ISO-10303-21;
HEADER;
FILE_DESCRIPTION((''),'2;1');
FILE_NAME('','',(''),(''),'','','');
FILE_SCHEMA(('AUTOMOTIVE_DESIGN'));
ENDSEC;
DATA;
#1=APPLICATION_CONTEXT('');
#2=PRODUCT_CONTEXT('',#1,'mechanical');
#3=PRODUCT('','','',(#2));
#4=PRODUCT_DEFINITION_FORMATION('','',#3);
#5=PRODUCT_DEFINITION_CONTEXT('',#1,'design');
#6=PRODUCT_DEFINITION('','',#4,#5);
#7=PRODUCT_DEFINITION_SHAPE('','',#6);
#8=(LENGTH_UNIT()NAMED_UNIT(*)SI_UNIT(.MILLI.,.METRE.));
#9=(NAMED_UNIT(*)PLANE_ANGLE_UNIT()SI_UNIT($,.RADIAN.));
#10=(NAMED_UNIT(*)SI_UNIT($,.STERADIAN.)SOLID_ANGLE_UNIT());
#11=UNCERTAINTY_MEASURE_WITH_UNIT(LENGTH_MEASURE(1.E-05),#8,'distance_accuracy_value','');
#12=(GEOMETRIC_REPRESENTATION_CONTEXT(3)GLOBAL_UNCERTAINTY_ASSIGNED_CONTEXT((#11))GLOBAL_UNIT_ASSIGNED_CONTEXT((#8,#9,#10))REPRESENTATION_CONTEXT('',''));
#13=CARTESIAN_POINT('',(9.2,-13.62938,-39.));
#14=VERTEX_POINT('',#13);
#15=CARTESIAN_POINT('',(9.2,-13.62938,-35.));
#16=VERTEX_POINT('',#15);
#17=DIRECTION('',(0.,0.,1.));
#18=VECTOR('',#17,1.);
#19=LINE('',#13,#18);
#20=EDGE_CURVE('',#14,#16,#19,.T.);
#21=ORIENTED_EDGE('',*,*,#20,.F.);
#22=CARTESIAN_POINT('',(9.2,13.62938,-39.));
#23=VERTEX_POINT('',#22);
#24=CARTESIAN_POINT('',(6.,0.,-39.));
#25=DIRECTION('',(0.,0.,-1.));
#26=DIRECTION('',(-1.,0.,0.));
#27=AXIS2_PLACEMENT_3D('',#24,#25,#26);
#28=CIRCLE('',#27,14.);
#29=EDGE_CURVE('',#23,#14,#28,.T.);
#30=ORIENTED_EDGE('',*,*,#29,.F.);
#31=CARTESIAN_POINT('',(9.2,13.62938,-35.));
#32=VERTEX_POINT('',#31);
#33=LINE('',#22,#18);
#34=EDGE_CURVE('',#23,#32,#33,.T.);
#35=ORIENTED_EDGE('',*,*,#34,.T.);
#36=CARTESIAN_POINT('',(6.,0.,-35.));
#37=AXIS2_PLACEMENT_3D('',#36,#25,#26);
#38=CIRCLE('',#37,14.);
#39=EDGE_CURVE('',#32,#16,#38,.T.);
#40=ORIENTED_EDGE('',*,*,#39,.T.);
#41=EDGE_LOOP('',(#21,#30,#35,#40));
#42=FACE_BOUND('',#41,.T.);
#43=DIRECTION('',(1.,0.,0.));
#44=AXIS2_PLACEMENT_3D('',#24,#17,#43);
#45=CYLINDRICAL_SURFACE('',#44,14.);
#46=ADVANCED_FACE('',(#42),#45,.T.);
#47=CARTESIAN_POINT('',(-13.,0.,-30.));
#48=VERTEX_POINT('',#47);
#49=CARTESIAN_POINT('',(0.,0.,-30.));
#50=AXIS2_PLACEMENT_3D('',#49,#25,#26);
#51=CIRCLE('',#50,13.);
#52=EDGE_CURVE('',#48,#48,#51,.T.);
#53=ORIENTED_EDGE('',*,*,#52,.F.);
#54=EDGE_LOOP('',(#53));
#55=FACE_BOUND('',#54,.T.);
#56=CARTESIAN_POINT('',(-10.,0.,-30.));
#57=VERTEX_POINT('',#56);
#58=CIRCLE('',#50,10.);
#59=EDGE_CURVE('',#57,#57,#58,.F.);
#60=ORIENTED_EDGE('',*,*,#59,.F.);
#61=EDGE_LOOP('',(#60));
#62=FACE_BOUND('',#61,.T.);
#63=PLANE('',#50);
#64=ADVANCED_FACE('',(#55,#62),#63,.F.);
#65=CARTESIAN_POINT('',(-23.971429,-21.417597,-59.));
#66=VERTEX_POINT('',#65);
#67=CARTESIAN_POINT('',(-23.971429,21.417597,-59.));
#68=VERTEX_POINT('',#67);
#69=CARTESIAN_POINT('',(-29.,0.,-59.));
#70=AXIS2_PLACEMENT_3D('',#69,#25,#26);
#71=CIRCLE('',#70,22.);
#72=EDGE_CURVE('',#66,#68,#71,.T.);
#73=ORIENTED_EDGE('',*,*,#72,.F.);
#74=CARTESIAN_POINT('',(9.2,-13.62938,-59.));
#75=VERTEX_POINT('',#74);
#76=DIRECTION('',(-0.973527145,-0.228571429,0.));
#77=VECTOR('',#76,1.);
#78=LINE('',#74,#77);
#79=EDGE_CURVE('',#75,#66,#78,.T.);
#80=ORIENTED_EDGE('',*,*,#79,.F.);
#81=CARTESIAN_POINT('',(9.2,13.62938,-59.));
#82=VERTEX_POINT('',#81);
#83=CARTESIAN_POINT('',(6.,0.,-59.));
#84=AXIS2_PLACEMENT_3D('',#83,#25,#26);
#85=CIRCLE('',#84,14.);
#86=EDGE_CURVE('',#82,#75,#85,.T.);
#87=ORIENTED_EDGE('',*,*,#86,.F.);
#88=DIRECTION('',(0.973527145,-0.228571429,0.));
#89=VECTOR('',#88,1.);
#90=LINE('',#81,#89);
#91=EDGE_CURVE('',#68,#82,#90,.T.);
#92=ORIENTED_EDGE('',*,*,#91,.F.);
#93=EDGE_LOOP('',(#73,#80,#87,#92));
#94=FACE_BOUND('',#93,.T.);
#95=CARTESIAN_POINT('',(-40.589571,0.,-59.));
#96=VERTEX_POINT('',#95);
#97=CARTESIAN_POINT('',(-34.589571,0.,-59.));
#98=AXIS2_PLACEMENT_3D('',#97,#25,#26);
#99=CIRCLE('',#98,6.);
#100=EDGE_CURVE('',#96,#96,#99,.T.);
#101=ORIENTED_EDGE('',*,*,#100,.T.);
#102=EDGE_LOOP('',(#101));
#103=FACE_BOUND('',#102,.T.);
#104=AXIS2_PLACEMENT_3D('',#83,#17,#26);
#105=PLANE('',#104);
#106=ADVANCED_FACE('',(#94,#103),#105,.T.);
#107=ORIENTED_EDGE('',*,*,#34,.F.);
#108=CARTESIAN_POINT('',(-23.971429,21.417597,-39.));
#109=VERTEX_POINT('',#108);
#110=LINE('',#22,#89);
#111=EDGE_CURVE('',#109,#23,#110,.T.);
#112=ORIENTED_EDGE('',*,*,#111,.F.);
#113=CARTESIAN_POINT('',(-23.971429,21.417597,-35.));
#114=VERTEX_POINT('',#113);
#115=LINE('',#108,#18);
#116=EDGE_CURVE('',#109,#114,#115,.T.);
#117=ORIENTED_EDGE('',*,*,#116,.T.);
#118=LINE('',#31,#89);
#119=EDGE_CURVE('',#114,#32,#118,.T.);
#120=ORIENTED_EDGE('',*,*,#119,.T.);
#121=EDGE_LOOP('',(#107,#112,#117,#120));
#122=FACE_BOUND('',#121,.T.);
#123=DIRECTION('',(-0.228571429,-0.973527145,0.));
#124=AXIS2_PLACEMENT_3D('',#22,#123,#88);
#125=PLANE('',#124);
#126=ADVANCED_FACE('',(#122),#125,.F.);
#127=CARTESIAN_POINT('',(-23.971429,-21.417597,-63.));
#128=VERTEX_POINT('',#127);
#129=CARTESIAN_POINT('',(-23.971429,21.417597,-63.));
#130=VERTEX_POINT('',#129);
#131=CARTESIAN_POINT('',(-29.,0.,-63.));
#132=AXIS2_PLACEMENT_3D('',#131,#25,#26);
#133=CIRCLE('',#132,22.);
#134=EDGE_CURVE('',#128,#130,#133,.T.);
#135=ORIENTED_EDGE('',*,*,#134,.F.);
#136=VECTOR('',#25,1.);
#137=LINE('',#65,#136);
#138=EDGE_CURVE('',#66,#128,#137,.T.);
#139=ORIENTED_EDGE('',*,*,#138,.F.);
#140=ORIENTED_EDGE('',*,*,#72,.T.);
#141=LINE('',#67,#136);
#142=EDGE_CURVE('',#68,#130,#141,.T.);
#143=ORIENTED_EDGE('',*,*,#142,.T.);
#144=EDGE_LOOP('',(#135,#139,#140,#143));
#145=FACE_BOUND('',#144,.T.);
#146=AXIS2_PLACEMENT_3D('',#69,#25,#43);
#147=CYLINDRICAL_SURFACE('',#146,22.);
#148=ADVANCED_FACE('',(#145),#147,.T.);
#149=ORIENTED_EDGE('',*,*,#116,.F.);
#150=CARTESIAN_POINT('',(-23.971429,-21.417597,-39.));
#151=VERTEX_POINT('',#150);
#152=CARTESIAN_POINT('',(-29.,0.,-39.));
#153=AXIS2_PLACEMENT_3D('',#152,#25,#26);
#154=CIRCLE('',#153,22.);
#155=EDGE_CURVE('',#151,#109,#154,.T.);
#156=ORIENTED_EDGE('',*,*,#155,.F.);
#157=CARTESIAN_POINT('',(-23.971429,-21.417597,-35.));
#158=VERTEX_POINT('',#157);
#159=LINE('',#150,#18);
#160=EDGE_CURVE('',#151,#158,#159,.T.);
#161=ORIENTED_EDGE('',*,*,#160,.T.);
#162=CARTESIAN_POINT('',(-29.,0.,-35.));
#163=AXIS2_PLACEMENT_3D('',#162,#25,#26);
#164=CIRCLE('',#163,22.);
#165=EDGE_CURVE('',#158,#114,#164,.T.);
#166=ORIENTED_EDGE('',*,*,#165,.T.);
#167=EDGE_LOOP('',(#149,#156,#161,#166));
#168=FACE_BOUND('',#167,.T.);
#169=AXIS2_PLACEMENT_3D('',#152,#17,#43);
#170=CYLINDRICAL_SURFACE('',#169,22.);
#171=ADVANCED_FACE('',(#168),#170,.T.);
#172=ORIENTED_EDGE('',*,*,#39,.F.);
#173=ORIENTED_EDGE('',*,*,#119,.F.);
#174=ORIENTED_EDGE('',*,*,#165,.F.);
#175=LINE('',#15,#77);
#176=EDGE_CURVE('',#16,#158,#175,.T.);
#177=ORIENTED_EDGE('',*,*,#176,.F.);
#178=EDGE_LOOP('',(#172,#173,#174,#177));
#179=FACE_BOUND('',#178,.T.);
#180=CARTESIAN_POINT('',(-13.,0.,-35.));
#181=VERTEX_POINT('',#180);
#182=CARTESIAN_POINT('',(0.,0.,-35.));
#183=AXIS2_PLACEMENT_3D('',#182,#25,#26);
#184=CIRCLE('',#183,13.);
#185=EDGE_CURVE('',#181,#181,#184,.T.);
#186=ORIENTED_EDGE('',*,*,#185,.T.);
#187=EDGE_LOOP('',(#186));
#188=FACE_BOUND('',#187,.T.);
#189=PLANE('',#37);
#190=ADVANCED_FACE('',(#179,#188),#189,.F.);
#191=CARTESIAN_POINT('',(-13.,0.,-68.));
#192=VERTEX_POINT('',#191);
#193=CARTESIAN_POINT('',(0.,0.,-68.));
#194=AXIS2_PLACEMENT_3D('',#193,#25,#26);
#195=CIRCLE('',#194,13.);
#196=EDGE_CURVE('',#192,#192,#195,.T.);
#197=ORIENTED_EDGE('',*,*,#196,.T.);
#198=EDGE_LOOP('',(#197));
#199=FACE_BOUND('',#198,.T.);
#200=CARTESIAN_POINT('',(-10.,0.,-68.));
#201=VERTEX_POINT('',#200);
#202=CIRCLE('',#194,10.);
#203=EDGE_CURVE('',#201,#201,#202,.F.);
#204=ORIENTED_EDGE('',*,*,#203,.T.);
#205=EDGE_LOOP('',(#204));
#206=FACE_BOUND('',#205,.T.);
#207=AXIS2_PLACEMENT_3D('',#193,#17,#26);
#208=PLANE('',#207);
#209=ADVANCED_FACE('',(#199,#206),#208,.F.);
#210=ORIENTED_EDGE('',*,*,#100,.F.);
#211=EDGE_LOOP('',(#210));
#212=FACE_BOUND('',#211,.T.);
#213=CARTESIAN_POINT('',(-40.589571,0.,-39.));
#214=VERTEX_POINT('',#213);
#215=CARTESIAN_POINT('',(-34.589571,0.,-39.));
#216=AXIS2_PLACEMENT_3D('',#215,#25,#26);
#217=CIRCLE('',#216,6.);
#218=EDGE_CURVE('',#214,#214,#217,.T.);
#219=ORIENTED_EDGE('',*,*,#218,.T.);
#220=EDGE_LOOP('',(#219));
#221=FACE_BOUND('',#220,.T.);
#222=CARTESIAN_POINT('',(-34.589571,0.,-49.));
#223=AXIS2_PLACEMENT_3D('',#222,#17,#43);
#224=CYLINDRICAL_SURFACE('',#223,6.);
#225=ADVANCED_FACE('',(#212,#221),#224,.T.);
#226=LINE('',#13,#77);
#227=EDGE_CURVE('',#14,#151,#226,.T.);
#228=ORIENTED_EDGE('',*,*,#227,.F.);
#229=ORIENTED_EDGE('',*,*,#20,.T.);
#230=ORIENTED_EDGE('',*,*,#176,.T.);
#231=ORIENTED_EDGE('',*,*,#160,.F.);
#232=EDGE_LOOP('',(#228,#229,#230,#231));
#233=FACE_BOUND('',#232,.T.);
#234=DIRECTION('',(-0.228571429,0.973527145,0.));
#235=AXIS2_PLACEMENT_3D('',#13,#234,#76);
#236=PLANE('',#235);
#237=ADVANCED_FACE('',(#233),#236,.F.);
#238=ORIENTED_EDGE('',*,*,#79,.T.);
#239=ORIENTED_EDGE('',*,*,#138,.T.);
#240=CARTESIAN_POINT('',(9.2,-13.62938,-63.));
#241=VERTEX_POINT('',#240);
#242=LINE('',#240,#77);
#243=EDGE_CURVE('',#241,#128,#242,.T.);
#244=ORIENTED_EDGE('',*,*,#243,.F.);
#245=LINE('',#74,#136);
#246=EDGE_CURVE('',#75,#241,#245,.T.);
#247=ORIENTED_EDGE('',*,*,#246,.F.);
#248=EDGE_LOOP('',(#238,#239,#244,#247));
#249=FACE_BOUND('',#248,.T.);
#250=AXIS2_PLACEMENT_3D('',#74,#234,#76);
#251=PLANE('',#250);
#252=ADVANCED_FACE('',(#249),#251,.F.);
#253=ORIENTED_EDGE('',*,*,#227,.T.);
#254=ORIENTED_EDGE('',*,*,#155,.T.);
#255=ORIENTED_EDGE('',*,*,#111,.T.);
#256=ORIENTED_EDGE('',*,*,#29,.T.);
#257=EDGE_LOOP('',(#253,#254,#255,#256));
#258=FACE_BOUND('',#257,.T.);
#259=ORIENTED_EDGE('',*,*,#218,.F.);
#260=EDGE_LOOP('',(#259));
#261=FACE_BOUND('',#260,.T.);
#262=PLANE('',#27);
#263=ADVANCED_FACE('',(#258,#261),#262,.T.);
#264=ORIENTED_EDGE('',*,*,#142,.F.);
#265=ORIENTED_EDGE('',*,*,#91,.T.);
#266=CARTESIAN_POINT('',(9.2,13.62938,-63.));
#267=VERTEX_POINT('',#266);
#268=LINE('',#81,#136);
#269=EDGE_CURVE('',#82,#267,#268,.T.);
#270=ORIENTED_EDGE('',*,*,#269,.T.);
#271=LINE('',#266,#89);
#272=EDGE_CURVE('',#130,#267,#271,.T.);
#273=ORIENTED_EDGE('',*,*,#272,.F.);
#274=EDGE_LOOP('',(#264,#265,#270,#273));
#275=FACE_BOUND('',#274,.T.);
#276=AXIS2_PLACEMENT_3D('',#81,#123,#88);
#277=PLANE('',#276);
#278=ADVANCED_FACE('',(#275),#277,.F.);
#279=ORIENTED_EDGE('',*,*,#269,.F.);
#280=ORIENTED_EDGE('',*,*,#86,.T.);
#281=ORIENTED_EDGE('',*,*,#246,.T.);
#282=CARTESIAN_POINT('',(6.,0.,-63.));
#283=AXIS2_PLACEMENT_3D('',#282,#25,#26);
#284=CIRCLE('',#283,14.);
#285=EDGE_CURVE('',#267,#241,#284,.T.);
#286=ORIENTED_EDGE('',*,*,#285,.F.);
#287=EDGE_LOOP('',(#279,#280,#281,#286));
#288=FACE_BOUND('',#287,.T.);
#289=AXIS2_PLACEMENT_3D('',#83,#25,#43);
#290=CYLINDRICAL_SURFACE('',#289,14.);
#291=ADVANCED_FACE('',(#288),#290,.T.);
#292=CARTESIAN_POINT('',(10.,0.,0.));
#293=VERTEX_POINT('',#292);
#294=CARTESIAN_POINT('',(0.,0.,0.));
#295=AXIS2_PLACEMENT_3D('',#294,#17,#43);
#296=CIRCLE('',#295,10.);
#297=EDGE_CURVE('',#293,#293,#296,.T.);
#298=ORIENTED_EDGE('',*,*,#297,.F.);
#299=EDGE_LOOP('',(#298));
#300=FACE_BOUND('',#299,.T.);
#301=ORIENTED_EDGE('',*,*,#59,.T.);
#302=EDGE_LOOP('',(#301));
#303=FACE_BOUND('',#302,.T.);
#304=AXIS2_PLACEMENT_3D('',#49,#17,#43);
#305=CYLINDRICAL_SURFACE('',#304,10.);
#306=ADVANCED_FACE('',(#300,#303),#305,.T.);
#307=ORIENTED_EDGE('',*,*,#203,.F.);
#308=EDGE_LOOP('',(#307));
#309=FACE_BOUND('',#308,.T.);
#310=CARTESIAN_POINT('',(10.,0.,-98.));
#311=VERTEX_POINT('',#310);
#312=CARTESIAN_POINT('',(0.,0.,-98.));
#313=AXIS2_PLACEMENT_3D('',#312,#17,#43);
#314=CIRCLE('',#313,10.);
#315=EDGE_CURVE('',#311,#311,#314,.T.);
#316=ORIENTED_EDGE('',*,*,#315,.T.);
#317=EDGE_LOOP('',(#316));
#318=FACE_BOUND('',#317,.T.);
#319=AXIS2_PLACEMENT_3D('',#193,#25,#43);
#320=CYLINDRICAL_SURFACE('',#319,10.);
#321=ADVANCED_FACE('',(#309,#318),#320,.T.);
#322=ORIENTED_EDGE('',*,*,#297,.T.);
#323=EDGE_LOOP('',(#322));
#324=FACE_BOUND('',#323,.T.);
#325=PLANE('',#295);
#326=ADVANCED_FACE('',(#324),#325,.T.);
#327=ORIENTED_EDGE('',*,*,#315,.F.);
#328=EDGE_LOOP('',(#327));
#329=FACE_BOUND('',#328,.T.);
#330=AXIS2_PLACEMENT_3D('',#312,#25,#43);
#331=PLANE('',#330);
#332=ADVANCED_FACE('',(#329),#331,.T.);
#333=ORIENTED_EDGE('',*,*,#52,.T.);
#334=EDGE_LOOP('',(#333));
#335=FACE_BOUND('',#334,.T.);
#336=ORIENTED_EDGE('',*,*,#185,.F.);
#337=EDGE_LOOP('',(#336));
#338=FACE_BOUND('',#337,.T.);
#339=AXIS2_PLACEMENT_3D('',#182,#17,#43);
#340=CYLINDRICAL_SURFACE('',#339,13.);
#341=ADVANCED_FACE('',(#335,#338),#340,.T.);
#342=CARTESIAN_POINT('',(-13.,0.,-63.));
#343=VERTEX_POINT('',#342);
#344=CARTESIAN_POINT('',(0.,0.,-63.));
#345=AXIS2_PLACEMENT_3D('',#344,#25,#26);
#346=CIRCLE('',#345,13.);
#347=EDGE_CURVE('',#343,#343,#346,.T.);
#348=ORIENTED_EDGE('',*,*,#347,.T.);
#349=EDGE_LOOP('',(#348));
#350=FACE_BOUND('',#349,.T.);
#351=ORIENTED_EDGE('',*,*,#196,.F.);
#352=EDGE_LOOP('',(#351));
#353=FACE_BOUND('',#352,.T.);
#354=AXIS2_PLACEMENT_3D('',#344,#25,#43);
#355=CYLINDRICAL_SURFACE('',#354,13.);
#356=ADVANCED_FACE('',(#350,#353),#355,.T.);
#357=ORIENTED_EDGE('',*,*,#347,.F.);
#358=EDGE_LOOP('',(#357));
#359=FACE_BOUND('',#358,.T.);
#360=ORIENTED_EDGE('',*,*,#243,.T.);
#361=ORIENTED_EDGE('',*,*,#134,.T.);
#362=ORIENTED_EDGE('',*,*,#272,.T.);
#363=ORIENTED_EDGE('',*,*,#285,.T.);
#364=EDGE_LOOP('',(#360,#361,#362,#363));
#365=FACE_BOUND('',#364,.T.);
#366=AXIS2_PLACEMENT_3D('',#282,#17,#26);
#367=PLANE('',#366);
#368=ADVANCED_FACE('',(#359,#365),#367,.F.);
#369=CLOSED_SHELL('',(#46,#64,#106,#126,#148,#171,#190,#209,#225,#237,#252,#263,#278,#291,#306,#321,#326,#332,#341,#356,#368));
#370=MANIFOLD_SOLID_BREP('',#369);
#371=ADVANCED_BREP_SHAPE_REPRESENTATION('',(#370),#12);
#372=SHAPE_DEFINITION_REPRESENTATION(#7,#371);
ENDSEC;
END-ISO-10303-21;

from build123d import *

# Parameters (mm, degrees)
SKETCH_1_R      = 10
EXTRUDE_1_DEPTH = 30
SKETCH_2_R      = 13
EXTRUDE_2_DEPTH = 5
EXTRUDE_3_DEPTH = 4
SKETCH_5_R      = 6
EXTRUDE_4_DEPTH = 10


with BuildPart() as part:
    # 草图1 → 拉伸1 (new body)
    with BuildSketch(Plane.XY):
        Circle(SKETCH_1_R)
    extrude_1 = extrude(amount=-EXTRUDE_1_DEPTH)

    # 草图2 → 拉伸2 (add)
    with BuildSketch(Plane(origin=(0, 0, -30), x_dir=(-1, 0, 0), z_dir=(0, 0, -1))):
        Circle(SKETCH_2_R)
    extrude_2 = extrude(amount=EXTRUDE_2_DEPTH)

    # 草图3 → 拉伸3 (add)
    with BuildSketch(Plane(origin=(0, 0, -35), x_dir=(-1, 0, 0), z_dir=(0, 0, -1))):
        with BuildLine():
            Line((-9.2, 13.62938003), (23.971428571, 21.41759719))
            ThreePointArc((23.971428571, 21.41759719), (51, 0), (23.971428571, -21.41759719))
            Line((23.971428571, -21.41759719), (-9.2, -13.62938003))
            ThreePointArc((-9.2, -13.62938003), (-20, 0), (-9.2, 13.62938003))
        make_face()
    extrude_3 = extrude(amount=EXTRUDE_3_DEPTH)

    # 草图5 → 拉伸4 (add)
    with BuildSketch(Plane(origin=(0, 0, -39), x_dir=(-1, 0, 0), z_dir=(0, 0, -1))):
        with Locations((34.589570742, 0)):
            Circle(SKETCH_5_R)
    extrude_4 = extrude(amount=EXTRUDE_4_DEPTH)

    # 镜向2: 拉伸1, 拉伸2, 拉伸3, 拉伸4 across plane
    add(extrude_1.mirror(Plane(origin=(-34.589570742, 0, -49), x_dir=(1, 0, 0), z_dir=(0, 0, -1))))
    add(extrude_2.mirror(Plane(origin=(-34.589570742, 0, -49), x_dir=(1, 0, 0), z_dir=(0, 0, -1))))
    add(extrude_3.mirror(Plane(origin=(-34.589570742, 0, -49), x_dir=(1, 0, 0), z_dir=(0, 0, -1))))
    add(extrude_4.mirror(Plane(origin=(-34.589570742, 0, -49), x_dir=(1, 0, 0), z_dir=(0, 0, -1))))


solid = part.part
